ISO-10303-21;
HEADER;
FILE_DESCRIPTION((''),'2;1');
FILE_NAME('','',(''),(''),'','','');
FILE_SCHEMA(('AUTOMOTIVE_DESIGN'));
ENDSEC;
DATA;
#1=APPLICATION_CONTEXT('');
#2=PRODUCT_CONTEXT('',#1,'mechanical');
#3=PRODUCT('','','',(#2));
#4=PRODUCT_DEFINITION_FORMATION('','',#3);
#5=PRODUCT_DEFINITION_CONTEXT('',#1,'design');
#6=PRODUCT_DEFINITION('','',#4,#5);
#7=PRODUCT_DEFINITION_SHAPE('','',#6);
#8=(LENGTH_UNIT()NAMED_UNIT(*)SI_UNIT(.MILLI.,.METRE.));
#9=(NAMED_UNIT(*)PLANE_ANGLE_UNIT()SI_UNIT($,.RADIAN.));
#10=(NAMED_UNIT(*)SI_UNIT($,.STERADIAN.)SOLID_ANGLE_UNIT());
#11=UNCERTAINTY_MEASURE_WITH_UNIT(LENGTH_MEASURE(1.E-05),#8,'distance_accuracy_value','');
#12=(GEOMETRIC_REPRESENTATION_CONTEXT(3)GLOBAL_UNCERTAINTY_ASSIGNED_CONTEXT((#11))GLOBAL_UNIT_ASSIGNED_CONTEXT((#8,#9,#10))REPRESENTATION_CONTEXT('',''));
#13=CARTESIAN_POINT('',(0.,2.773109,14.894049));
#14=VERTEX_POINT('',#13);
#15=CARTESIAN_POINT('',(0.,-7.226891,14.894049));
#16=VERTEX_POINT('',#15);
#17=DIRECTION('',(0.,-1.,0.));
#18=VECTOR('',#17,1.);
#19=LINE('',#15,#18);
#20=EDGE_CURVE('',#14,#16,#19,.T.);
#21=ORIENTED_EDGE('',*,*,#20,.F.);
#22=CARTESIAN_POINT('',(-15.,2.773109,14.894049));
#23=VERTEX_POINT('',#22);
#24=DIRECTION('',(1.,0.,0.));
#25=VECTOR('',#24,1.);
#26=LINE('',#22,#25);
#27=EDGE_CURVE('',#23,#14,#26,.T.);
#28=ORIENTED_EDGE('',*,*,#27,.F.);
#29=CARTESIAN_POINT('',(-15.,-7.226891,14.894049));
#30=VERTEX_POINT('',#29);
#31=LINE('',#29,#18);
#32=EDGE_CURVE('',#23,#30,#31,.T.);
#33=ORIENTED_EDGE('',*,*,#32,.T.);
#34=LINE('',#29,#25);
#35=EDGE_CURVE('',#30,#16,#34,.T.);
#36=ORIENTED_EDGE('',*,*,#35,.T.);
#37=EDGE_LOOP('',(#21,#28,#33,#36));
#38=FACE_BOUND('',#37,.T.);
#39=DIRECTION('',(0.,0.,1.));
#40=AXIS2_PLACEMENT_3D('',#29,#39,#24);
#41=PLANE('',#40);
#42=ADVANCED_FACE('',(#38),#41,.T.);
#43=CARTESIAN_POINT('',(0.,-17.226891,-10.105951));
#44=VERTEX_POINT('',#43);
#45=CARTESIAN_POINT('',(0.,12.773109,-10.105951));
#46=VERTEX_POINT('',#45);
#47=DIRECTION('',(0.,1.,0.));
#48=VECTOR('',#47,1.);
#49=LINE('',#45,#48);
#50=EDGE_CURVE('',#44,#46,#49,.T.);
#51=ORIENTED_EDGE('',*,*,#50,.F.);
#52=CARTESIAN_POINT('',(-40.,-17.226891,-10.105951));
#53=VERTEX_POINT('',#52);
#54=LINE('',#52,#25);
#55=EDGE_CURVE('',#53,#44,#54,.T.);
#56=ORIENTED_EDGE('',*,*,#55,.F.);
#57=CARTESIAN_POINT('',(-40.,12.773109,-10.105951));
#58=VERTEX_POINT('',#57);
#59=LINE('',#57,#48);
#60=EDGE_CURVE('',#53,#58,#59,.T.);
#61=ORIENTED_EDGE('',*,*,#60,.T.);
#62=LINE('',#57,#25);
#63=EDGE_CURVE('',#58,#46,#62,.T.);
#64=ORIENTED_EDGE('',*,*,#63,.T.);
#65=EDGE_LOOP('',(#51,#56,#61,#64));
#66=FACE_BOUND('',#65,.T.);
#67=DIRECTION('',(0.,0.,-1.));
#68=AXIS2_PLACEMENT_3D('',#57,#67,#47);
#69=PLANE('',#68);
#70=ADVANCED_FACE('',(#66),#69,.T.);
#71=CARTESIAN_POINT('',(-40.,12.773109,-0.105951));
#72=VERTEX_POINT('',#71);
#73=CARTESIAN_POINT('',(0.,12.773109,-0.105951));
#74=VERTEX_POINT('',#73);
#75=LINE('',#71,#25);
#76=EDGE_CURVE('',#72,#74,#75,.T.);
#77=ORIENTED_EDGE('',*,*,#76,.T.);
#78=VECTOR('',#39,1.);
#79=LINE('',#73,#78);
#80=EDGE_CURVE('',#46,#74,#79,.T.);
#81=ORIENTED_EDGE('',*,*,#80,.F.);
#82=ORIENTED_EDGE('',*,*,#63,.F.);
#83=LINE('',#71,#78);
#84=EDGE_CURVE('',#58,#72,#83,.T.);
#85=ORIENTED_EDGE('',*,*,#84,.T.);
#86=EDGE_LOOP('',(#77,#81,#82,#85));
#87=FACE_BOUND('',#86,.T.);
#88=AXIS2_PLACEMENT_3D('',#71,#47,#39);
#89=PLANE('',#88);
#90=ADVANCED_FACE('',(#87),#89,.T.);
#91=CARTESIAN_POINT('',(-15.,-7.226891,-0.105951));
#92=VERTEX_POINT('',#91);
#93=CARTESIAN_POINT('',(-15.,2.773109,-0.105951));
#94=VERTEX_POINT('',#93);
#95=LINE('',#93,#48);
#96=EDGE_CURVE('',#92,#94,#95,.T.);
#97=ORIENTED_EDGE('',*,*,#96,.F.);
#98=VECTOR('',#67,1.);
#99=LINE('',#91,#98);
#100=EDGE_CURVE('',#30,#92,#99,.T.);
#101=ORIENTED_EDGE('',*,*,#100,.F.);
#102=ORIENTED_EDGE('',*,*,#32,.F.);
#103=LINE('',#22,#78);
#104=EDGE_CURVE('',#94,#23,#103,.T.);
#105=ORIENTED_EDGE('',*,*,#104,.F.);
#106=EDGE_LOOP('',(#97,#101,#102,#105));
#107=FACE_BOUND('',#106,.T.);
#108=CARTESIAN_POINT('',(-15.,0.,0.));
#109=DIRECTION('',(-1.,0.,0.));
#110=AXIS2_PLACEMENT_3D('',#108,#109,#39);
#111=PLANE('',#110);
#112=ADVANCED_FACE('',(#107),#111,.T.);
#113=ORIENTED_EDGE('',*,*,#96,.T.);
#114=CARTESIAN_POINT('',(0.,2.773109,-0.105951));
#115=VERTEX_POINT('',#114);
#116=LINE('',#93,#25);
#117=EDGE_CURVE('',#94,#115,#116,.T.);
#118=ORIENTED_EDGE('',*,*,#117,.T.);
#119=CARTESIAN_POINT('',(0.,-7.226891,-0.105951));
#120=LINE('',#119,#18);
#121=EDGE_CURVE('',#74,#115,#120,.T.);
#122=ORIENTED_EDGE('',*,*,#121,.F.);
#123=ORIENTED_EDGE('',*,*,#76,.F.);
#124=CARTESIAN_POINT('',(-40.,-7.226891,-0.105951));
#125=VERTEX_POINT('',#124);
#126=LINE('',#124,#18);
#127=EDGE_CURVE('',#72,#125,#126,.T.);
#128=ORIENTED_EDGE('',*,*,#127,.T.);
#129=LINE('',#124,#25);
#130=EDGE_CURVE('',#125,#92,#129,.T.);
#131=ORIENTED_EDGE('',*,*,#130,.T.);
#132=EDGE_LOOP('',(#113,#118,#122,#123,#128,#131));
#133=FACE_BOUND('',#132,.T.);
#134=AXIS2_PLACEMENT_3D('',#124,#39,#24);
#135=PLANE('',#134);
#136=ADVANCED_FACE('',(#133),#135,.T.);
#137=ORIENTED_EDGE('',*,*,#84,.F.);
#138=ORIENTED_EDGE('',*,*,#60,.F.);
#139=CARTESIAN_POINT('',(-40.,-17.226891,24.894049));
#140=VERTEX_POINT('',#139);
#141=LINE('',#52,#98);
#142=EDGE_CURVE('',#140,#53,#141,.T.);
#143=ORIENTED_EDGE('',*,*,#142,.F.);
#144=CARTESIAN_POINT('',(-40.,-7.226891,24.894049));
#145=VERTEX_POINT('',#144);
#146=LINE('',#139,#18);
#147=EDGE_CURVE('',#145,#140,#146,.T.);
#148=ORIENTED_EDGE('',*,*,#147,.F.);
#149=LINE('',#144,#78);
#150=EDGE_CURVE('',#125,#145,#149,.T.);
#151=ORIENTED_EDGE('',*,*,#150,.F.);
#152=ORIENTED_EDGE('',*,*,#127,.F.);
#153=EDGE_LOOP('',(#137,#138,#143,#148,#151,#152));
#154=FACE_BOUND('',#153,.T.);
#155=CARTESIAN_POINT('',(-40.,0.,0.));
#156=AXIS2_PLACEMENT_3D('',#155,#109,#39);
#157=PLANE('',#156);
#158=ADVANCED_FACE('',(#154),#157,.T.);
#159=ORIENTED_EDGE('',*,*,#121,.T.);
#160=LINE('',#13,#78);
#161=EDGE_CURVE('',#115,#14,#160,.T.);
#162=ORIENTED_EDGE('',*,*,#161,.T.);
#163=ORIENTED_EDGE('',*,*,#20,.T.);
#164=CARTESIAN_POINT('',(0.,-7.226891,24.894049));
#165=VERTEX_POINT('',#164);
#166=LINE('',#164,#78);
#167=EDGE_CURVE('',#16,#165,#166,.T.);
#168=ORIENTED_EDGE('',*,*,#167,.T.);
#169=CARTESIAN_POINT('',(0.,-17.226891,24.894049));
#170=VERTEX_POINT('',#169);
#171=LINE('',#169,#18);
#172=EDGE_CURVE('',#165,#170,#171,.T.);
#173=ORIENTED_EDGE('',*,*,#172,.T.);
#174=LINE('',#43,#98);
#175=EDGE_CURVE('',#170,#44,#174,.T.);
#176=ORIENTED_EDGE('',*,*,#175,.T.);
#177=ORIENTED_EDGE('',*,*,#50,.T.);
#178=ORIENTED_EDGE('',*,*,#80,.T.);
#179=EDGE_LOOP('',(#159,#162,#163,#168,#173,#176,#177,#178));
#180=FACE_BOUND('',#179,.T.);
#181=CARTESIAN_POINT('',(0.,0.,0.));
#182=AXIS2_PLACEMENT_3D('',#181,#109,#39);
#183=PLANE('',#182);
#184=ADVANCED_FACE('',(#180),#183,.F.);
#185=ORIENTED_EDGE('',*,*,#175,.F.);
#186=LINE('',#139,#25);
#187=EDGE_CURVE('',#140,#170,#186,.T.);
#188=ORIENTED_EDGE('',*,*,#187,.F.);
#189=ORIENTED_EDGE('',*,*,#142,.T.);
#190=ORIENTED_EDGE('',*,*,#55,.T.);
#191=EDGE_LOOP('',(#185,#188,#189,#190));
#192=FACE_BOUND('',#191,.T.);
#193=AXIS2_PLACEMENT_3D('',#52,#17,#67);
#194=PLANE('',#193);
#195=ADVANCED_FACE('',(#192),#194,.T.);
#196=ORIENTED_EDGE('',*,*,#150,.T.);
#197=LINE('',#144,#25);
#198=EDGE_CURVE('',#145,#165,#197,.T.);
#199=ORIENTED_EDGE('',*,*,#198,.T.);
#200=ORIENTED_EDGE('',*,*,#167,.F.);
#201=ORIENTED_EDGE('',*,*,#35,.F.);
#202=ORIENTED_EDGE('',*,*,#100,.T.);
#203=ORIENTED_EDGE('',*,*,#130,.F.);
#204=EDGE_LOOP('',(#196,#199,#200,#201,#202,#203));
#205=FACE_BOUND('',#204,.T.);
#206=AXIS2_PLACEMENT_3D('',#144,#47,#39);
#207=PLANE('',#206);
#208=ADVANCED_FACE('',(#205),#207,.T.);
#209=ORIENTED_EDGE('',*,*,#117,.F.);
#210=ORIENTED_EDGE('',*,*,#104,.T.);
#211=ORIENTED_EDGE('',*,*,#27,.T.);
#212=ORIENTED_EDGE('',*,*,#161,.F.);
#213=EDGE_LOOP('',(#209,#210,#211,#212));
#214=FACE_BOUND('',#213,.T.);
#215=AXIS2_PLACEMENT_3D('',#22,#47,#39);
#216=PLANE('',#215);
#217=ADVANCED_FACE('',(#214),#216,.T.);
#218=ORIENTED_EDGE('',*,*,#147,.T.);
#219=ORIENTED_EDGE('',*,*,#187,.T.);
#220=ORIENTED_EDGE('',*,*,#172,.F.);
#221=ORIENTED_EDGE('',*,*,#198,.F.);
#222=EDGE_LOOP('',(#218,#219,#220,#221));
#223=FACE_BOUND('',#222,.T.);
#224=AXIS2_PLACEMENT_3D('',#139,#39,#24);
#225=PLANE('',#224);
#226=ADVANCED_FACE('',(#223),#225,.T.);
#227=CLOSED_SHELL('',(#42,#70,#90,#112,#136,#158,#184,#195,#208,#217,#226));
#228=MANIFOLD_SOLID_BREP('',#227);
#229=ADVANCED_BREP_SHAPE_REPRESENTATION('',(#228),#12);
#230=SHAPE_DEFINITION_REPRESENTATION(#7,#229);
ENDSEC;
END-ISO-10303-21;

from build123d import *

# Parameters (mm, degrees)
BOSS_EXTRUDE1_DEPTH = 40
SKETCH2_W           = 15
SKETCH2_H           = 10
BOSS_EXTRUDE2_DEPTH = 15


with BuildPart() as part:
    # Sketch1 → Boss-Extrude1 (new body)
    with BuildSketch(Plane(origin=(0, 0, 0), x_dir=(0, 0, -1), z_dir=(1, 0, 0))):
        Polygon((10.105951264, 12.773109244), (10.105951264, -17.226890756), (-24.894048736, -17.226890756), (-24.894048736, -7.226890756), (0.105951264, -7.226890756), (0.105951264, 12.773109244), align=None)
    extrude(amount=-BOSS_EXTRUDE1_DEPTH)

    # Sketch2 → Boss-Extrude2 (add)
    with BuildSketch(Plane(origin=(0, 0, 0), x_dir=(0, 0, -1), z_dir=(1, 0, 0))):
        with Locations((-7.394048736, -2.226890756)):
            Rectangle(SKETCH2_W, SKETCH2_H)
    extrude(amount=-BOSS_EXTRUDE2_DEPTH)


solid = part.part
